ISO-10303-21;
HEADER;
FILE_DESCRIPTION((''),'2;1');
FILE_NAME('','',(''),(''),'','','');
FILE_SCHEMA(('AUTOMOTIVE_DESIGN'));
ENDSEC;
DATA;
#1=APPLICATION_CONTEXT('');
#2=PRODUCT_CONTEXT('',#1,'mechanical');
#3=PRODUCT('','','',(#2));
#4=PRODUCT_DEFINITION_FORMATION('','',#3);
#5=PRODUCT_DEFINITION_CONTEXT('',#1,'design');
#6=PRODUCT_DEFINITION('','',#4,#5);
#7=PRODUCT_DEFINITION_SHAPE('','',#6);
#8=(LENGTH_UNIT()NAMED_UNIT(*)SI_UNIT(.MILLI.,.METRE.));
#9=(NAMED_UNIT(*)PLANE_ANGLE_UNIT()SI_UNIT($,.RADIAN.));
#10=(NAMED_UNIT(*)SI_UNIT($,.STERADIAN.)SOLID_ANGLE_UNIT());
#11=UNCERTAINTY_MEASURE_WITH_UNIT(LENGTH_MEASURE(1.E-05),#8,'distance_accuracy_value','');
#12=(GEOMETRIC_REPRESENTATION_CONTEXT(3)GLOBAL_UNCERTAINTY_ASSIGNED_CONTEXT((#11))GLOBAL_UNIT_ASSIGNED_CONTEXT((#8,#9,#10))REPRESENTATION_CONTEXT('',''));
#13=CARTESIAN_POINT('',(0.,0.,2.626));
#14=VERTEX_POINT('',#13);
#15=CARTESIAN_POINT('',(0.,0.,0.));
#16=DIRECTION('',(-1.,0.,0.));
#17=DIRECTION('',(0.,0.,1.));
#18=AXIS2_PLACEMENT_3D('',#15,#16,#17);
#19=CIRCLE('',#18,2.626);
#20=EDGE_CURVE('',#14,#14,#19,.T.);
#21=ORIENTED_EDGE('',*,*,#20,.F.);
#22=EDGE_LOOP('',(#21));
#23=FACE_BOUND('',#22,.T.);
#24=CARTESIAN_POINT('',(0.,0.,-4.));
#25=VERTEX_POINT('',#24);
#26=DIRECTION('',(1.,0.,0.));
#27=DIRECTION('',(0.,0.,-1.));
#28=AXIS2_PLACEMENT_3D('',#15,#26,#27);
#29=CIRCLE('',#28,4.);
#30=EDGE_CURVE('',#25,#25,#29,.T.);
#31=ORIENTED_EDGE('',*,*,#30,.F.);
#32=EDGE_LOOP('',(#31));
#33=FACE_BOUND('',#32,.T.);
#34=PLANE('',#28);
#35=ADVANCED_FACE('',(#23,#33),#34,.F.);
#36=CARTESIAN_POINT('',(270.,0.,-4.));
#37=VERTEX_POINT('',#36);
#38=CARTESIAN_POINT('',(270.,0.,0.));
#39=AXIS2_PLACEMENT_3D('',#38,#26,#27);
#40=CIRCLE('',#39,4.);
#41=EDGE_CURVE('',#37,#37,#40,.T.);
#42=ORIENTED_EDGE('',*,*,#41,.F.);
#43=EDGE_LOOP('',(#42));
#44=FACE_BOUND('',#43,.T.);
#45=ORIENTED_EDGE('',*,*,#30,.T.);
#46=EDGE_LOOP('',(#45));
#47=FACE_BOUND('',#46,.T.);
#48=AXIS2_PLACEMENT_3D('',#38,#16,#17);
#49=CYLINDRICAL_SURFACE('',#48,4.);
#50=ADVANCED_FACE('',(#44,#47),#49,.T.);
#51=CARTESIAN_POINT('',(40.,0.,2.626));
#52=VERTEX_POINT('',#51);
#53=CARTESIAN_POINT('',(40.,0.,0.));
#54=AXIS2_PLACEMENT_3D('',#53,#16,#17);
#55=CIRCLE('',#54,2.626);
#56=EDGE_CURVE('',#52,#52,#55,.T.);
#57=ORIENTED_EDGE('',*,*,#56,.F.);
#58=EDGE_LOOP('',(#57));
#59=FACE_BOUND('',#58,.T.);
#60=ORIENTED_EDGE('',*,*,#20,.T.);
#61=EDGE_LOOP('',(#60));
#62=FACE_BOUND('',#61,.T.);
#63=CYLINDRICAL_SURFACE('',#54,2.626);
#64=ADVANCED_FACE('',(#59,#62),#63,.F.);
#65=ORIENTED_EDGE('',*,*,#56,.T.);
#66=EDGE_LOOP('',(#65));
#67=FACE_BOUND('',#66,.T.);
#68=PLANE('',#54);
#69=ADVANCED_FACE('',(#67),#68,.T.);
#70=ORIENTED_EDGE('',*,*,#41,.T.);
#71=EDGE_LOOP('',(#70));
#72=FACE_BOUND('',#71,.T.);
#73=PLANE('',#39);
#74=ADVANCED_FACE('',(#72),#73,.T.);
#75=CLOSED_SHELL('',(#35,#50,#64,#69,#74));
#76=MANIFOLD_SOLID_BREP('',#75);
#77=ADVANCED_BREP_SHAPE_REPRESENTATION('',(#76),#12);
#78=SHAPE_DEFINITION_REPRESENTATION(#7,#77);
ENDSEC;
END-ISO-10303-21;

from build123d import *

# Parameters (mm, degrees)
SKETCH1_R           = 4
BOSS_EXTRUDE1_DEPTH = 270
SKETCH2_R           = 2.626
CUT_EXTRUDE1_DEPTH  = 40


with BuildPart() as part:
    # Sketch1 → Boss-Extrude1 (new body)
    with BuildSketch(Plane(origin=(0, 0, 0), x_dir=(0, 0, -1), z_dir=(1, 0, 0))):
        Circle(SKETCH1_R)
    extrude(amount=BOSS_EXTRUDE1_DEPTH)

    # Sketch2 → Cut-Extrude1 (cut)
    with BuildSketch(Plane.ZY):
        Circle(SKETCH2_R)
    extrude(amount=-CUT_EXTRUDE1_DEPTH, mode=Mode.SUBTRACT)


solid = part.part
